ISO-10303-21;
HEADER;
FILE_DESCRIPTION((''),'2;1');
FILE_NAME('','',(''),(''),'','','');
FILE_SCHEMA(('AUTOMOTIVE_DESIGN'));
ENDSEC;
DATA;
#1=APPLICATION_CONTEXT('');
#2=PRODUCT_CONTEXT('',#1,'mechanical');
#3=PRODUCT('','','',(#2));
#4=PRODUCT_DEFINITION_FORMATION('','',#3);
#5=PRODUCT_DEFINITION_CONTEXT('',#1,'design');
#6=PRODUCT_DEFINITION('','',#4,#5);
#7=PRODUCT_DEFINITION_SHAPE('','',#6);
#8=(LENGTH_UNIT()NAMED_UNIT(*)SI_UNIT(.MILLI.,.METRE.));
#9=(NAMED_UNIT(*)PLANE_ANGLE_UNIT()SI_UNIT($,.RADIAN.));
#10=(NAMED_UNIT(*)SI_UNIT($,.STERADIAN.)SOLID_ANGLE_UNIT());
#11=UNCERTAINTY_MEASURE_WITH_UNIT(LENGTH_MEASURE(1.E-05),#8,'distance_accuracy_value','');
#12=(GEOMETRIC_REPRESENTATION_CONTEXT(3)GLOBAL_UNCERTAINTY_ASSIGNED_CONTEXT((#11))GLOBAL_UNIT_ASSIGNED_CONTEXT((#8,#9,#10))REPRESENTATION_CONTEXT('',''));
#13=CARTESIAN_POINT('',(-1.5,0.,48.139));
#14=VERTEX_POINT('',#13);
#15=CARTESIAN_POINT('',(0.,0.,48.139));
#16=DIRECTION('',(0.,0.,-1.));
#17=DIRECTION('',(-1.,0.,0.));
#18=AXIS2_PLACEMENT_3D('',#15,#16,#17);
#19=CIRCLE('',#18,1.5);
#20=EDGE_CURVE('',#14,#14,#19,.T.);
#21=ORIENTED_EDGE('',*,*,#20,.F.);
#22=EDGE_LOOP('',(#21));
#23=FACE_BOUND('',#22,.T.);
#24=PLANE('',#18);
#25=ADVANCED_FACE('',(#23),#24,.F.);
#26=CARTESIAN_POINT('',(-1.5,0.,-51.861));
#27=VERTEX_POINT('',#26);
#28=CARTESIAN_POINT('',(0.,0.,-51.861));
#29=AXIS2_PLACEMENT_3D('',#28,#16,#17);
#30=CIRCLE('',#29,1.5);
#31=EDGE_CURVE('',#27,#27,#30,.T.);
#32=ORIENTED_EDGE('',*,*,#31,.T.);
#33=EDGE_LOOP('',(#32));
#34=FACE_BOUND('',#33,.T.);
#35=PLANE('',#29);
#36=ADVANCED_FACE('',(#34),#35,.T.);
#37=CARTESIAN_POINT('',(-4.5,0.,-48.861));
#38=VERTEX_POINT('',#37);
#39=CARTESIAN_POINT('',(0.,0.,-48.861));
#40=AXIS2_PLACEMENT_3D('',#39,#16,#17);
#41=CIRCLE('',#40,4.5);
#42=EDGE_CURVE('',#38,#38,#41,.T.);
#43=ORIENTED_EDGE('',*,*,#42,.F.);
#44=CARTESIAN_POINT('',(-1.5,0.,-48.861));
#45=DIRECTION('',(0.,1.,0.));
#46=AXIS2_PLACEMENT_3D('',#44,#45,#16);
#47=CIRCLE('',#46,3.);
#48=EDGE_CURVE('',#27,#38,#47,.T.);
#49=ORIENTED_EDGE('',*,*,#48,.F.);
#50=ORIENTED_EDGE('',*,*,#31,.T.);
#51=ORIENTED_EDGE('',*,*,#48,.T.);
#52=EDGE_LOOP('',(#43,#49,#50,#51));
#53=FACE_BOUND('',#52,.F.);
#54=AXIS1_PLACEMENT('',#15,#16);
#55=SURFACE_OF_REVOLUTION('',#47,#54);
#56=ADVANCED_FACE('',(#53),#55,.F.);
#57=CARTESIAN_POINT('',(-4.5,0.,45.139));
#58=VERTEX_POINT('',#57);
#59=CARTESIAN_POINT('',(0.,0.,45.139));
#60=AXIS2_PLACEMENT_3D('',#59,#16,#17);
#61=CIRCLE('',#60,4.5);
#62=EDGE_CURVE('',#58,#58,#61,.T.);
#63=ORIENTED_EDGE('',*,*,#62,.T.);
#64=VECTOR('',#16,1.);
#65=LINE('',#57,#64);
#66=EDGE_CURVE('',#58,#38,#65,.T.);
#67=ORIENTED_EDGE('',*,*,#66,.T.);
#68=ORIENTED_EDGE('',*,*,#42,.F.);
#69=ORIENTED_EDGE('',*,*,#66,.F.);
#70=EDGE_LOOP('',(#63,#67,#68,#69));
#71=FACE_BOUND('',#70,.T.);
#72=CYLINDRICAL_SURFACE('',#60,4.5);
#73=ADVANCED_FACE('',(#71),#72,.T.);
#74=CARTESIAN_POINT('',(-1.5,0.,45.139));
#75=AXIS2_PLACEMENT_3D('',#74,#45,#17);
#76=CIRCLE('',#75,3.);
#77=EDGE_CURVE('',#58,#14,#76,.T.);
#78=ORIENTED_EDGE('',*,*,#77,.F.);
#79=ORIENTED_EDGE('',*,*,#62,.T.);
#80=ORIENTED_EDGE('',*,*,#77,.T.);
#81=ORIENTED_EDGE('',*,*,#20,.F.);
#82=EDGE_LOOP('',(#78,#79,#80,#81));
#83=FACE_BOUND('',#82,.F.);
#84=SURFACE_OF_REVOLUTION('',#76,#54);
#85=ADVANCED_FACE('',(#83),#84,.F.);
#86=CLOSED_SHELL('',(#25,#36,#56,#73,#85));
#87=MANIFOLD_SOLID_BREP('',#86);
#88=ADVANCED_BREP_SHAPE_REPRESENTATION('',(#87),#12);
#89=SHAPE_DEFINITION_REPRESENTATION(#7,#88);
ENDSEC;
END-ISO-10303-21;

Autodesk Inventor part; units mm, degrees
ref_plane "YZ Plane" through (0, 0, 0) normal (1, 0, 0) x (0, 1, 0)
ref_plane "XZ Plane" through (0, 0, 0) normal (0, 1, 0) x (-1, 0, 0)
ref_plane "XY Plane" through (0, 0, 0) normal (0, 0, 1) x (1, 0, 0)
sketch "Esboço1" plane through (0, 0, 0) normal (0, 1, 0) x (-1, 0, 0)
  line L0 (0, 48.139) -> (0, -51.861)
  line L1 (0, 48.139) -> (1.5, 48.139)
  line L2 (4.5, 45.139) -> (4.5, -48.861)
  line L3 (1.5, -51.861) -> (0, -51.861)
  arc A0 (4.5, 45.139) -> (1.5, 48.139) centre (1.5, 45.139) ccw
  arc A1 (1.5, -51.861) -> (4.5, -48.861) centre (1.5, -48.861) ccw
  point P0 (0, 0)
  point P1 (0, -1.861)
  point P2 (4.5, 48.139)
  dimension "d0" = 100
  dimension "d1" = 4.5
  dimension "d2" = 3
revolve "Revolução1" add sketch "Esboço1" angle 360 about axis through (0, 0, 48.139) along (0, 0, -1)
properties part number "Peça2 - macaco" material "Aço, carbono"
